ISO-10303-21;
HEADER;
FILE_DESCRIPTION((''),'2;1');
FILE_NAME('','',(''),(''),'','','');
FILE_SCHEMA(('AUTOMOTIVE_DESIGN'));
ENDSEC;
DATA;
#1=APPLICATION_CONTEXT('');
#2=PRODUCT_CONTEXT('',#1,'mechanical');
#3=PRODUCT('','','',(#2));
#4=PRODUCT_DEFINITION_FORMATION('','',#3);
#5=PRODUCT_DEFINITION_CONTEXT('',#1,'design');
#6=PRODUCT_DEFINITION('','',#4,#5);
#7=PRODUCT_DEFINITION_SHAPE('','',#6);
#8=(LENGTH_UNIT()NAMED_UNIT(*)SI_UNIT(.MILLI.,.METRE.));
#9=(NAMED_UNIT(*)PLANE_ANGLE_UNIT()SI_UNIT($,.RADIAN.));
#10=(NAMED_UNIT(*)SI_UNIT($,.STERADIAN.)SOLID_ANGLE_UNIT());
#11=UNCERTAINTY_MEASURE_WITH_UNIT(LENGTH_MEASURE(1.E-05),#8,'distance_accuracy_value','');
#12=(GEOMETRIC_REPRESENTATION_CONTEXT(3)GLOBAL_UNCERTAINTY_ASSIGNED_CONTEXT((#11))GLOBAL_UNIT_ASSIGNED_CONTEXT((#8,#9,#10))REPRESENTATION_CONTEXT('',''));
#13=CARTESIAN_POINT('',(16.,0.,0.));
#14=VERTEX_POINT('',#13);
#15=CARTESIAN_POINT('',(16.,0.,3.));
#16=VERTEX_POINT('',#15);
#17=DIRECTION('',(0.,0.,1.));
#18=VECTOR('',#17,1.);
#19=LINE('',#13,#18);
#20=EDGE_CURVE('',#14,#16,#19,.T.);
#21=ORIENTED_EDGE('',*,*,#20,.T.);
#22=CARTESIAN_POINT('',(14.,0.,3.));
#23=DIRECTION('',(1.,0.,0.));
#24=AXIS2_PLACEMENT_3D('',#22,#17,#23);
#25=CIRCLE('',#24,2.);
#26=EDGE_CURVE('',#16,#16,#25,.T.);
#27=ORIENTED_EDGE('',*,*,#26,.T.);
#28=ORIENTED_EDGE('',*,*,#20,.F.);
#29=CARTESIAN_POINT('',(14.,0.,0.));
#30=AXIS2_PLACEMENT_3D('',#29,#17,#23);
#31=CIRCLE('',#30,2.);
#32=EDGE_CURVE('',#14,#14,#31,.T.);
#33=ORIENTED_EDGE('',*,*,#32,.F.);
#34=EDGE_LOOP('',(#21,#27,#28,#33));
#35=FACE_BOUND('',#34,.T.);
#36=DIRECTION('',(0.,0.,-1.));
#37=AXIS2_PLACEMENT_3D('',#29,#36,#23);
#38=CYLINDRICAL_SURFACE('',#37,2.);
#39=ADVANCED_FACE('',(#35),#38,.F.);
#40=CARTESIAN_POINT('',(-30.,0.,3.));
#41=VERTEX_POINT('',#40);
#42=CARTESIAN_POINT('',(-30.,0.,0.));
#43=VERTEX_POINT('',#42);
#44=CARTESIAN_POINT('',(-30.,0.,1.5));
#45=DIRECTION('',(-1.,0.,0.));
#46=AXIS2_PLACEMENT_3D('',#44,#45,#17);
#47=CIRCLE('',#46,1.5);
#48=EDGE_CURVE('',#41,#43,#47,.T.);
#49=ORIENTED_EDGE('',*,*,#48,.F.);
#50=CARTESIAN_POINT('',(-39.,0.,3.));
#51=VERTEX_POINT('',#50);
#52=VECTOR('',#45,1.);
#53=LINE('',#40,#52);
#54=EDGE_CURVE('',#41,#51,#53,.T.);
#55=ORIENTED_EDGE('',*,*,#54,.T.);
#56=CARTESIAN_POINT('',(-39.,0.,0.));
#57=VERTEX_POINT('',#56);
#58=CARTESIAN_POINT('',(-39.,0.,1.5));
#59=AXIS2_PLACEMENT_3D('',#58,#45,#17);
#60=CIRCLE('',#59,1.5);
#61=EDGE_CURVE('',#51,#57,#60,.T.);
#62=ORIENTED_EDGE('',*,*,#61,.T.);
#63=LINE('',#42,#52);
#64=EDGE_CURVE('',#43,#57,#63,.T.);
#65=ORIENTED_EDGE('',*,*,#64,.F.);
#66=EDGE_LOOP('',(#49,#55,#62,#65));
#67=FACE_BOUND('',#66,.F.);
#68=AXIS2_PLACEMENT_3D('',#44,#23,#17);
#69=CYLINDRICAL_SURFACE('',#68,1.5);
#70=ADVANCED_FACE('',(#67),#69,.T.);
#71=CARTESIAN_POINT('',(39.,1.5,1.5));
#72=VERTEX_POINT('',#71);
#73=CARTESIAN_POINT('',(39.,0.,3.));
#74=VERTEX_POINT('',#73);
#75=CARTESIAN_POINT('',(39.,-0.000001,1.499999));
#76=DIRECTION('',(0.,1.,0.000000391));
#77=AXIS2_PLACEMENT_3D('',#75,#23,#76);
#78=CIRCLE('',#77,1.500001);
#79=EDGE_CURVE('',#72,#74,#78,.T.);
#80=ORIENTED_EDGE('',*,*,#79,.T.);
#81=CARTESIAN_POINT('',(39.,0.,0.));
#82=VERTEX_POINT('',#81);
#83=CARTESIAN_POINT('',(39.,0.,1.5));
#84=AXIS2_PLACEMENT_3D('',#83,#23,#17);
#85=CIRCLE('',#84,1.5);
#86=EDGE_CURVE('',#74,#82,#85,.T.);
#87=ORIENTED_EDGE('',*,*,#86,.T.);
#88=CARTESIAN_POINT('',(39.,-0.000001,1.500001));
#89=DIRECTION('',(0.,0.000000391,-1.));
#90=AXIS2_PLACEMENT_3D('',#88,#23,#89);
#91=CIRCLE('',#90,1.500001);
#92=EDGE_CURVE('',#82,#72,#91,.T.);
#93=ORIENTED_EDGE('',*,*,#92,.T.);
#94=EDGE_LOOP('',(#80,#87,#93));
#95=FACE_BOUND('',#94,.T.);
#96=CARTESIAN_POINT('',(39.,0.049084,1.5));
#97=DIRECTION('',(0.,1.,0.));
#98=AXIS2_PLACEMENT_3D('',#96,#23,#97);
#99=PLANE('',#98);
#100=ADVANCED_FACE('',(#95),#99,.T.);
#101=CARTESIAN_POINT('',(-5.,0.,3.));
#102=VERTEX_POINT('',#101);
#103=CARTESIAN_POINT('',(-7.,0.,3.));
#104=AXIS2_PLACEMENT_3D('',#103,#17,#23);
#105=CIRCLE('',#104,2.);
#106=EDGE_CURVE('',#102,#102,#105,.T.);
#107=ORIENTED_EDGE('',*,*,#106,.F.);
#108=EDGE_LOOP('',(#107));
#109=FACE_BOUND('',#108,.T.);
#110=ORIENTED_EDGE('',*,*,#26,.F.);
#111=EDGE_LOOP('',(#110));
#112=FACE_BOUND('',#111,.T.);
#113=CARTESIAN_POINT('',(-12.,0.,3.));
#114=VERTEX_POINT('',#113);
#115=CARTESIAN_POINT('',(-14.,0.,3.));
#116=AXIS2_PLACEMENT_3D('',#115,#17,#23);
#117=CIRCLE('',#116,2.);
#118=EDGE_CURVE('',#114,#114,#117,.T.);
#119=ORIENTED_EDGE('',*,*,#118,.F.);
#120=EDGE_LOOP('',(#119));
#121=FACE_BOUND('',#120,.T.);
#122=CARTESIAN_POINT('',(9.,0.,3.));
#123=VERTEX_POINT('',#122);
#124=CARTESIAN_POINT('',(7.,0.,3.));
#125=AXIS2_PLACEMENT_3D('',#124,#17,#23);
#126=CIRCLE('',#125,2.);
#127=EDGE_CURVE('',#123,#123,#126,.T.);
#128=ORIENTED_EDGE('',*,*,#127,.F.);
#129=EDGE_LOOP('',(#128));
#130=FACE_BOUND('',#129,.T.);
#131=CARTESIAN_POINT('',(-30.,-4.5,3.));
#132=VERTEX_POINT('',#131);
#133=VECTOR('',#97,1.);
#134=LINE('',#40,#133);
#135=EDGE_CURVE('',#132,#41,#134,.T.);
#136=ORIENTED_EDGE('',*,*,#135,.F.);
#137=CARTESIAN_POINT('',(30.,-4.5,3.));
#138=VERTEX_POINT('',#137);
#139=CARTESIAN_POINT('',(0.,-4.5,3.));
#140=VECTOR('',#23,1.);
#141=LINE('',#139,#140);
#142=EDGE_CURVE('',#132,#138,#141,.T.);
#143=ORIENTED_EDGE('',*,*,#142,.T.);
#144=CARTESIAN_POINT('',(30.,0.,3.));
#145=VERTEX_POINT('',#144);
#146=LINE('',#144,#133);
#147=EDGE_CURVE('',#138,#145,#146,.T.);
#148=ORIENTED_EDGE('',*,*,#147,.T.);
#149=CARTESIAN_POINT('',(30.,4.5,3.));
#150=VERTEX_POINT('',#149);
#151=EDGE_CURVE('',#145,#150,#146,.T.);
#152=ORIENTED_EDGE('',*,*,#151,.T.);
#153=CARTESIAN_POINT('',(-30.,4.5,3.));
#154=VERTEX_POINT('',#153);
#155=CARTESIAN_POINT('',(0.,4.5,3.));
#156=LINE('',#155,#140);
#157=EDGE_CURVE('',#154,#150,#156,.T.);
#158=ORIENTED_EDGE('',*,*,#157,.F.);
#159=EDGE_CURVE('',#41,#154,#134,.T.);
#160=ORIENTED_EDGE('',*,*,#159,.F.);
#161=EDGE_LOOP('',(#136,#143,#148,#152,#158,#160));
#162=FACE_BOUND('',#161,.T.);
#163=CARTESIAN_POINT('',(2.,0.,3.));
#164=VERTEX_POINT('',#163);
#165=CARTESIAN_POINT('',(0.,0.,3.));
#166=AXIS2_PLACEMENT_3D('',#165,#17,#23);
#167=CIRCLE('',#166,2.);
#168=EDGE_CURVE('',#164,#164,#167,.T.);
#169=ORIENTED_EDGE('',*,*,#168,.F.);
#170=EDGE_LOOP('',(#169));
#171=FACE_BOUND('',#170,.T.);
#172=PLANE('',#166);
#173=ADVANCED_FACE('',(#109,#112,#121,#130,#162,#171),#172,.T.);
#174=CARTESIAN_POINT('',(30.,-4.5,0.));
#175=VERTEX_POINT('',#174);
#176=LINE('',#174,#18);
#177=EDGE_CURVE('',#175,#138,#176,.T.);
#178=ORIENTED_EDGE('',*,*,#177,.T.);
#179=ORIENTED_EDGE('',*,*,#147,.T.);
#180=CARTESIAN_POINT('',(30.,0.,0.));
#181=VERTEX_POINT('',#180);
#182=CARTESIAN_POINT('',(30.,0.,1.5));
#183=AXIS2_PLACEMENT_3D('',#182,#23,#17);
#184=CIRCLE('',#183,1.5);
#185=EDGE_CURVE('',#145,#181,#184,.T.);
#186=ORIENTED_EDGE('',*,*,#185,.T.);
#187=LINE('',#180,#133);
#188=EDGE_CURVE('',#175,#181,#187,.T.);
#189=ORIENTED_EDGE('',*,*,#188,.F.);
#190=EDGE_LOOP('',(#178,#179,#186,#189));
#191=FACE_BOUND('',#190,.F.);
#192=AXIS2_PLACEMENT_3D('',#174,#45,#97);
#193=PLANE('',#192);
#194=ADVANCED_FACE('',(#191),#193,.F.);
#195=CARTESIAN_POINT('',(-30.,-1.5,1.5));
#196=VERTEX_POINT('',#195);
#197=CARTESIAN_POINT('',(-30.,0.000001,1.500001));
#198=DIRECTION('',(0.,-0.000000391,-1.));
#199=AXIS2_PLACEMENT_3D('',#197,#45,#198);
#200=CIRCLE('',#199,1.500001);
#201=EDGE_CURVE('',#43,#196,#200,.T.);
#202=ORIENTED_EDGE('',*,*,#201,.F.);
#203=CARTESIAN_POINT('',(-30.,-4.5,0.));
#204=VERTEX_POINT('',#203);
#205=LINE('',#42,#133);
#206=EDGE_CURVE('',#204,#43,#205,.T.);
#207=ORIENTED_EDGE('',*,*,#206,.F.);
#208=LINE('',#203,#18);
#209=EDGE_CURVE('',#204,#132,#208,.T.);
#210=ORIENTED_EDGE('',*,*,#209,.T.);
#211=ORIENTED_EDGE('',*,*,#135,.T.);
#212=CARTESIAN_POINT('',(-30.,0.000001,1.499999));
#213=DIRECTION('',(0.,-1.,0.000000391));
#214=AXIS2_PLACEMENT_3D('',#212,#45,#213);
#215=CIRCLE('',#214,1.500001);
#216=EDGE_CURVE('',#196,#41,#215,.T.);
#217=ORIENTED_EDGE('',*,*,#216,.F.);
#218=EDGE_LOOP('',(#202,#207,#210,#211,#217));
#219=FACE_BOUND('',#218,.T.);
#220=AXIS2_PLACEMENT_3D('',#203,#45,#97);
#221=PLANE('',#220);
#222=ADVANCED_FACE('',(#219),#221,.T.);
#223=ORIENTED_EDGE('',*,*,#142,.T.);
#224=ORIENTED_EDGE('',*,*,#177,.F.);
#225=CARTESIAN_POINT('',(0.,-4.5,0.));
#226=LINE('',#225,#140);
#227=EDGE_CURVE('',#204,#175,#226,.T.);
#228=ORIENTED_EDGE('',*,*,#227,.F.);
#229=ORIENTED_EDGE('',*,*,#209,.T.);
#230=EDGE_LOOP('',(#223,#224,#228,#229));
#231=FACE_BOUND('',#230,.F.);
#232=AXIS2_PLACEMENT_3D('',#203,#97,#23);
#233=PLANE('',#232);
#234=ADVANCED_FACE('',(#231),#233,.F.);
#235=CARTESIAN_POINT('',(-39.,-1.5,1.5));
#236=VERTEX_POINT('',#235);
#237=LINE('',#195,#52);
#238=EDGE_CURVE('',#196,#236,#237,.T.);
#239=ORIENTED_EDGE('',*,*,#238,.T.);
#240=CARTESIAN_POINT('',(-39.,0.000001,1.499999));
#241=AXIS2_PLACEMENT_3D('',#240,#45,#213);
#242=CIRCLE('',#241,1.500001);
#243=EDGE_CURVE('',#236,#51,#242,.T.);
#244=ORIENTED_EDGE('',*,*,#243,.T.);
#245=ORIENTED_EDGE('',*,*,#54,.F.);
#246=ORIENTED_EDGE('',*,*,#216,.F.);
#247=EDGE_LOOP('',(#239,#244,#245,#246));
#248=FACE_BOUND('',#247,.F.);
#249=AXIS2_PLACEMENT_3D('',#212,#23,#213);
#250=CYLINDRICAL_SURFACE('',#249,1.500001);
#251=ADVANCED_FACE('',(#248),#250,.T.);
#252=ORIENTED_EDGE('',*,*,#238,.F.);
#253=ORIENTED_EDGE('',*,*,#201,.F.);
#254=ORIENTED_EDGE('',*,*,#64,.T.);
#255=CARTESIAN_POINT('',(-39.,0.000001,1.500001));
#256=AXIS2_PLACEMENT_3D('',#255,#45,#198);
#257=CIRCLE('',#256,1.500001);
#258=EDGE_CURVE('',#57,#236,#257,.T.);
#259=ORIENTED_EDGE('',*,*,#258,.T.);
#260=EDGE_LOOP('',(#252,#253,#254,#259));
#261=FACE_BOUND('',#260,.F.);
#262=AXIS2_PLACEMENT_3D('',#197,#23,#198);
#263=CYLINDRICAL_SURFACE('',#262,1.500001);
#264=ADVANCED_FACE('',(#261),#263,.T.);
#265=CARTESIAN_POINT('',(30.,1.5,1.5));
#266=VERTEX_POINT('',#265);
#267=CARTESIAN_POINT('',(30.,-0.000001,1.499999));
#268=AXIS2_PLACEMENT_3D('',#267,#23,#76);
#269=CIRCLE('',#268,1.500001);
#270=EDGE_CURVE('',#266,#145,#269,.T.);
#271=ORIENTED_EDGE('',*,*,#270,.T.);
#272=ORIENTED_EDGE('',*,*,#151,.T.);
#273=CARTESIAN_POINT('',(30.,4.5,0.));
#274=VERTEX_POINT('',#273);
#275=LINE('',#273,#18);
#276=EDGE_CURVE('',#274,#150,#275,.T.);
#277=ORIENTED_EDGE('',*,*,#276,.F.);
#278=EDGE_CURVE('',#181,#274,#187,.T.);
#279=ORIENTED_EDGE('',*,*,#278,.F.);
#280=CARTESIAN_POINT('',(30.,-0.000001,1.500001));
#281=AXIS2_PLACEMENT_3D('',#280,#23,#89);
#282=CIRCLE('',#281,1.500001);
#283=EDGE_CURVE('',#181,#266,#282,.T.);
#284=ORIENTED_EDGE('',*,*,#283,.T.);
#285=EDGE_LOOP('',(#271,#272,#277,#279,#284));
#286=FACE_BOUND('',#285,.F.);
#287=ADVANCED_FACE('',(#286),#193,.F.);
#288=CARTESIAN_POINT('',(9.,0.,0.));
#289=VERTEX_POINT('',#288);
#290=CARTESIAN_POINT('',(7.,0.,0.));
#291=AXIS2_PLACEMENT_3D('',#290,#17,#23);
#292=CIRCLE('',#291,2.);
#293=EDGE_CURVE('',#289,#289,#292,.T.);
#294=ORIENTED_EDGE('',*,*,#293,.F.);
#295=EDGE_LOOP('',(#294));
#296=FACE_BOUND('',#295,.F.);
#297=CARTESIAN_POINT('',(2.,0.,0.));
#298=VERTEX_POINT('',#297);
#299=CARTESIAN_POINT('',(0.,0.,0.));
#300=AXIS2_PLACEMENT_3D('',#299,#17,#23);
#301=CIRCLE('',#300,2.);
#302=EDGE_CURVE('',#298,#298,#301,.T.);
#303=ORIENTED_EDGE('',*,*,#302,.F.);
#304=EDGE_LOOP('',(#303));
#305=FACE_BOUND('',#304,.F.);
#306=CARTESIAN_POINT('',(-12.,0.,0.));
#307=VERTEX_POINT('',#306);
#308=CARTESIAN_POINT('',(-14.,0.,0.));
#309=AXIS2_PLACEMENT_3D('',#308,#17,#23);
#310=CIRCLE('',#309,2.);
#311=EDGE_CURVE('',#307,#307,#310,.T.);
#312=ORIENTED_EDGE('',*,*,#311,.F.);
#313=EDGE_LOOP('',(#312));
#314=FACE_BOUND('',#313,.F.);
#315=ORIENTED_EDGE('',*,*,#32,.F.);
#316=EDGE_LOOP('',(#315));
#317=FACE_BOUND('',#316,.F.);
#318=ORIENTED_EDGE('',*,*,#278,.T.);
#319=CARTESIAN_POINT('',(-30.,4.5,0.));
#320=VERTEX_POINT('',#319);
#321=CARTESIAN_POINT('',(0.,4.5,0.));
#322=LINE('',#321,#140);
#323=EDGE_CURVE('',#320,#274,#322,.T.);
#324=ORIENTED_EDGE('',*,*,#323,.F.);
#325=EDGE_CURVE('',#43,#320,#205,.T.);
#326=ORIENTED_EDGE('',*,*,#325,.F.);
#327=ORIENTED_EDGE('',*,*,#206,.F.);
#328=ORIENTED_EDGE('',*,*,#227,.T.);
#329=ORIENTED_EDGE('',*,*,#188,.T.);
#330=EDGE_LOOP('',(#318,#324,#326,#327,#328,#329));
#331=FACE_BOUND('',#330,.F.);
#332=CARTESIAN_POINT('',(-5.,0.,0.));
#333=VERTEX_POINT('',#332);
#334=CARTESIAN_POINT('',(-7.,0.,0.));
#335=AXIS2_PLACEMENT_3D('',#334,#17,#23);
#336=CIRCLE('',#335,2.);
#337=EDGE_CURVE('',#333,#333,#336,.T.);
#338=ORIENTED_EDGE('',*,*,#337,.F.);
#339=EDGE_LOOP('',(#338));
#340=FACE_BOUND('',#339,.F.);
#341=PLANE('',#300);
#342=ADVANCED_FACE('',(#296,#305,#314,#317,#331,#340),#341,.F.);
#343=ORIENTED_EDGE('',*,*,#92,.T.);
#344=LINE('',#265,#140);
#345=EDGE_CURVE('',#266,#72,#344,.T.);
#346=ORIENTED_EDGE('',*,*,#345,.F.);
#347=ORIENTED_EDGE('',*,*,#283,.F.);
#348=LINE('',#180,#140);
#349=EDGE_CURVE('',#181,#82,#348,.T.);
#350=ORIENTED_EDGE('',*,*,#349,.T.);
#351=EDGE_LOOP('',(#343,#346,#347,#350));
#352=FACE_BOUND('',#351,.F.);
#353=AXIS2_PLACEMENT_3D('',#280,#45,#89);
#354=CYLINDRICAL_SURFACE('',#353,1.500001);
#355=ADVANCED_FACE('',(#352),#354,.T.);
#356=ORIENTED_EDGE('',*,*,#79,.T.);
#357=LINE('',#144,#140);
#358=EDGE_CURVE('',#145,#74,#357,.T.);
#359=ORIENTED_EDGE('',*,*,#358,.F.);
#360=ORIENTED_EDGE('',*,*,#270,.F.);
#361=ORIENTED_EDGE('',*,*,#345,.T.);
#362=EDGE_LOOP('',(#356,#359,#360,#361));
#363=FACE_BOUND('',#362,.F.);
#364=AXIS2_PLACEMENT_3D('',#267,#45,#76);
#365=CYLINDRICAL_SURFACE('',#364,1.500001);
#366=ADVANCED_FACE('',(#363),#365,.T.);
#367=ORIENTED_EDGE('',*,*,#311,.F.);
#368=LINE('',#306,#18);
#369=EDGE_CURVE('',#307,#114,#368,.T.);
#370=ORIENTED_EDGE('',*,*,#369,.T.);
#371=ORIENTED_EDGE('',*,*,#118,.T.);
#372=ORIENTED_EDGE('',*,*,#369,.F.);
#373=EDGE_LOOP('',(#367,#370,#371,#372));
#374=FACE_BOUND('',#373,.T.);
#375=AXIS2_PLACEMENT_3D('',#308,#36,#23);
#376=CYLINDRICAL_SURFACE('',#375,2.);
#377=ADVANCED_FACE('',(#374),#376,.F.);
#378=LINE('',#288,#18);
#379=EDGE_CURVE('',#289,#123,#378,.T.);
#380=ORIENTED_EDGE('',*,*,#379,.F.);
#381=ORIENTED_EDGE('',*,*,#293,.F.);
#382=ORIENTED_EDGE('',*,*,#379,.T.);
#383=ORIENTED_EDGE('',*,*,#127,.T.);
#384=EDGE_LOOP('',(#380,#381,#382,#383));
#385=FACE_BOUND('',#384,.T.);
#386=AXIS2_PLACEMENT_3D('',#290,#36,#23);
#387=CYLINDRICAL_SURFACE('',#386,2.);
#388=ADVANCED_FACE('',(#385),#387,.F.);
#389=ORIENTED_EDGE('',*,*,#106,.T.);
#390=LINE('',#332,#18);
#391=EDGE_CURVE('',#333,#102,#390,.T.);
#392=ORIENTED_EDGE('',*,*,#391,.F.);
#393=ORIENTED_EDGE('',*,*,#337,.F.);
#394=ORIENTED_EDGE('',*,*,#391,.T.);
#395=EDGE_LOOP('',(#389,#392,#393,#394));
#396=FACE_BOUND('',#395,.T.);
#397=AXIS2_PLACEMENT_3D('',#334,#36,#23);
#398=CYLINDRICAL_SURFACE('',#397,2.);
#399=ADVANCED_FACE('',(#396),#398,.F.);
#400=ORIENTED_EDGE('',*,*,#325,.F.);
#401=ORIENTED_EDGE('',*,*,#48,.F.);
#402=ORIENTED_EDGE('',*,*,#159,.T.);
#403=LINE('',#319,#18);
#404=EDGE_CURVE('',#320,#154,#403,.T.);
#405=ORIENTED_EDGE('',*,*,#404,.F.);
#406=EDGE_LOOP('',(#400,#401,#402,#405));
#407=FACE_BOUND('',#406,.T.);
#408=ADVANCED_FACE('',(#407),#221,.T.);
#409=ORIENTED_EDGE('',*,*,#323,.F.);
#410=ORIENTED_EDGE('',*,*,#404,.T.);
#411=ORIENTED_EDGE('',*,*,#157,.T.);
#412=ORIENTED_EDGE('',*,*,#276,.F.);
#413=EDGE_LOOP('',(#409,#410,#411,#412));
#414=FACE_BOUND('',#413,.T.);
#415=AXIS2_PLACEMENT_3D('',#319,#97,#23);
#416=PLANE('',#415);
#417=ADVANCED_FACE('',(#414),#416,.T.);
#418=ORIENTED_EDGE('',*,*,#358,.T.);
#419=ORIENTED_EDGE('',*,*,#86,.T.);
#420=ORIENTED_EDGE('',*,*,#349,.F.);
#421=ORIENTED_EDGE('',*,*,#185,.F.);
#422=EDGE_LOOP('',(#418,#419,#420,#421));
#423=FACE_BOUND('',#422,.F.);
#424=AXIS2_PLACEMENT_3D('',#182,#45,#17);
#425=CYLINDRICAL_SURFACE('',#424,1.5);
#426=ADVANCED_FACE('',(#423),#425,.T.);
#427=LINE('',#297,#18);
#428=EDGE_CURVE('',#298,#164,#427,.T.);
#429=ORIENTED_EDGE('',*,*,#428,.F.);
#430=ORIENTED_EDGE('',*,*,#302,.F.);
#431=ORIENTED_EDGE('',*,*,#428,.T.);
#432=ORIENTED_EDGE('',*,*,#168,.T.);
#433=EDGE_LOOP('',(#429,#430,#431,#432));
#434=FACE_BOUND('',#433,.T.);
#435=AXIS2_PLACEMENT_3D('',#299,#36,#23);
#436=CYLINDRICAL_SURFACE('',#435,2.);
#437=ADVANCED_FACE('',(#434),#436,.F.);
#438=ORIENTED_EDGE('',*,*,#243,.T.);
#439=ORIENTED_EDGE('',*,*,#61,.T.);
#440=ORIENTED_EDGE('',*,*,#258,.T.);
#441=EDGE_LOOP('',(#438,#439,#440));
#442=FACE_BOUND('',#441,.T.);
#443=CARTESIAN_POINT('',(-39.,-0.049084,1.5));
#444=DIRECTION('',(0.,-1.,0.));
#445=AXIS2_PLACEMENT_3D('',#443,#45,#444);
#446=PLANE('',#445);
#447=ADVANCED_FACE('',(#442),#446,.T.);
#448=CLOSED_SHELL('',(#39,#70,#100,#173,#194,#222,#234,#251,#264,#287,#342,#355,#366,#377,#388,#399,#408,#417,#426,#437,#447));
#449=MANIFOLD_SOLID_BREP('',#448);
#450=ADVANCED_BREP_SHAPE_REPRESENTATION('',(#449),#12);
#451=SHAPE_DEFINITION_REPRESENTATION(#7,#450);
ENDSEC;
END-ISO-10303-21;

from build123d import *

# Parameters (mm, degrees)
F0_W     = 60
F0_H     = 9
F0_R     = 2
F1_DEPTH = 3
F3_DEPTH = 9
F5_DEPTH = 9


with BuildPart() as f1:
    # F0 (on Top) → F1 (new body)
    with BuildSketch(Plane.XY):
        Rectangle(F0_W, F0_H)
        with Locations((-14, 0)):
            Circle(F0_R, mode=Mode.SUBTRACT)
        with Locations((-7, 0)):
            Circle(F0_R, mode=Mode.SUBTRACT)
        Circle(F0_R, mode=Mode.SUBTRACT)
        with Locations((7, 0)):
            Circle(F0_R, mode=Mode.SUBTRACT)
        with Locations((14, 0)):
            Circle(F0_R, mode=Mode.SUBTRACT)
    extrude(amount=F1_DEPTH)

    # F2 (on face) → F3 (join)
    with BuildSketch(Plane(origin=(-30, 0, 0), x_dir=(0, -1, 0), z_dir=(-1, 0, 0))):
        with BuildLine():
            ThreePointArc((0, 0), (1.06066, 0.43934), (1.5, 1.5))
            ThreePointArc((1.5, 1.5), (1.06066, 2.56066), (0, 3))
            ThreePointArc((0, 3), (-1.5, 1.5), (0, 0))
        make_face()
    extrude(amount=F3_DEPTH)

    # F4 (on face) → F5 (join)
    with BuildSketch(Plane.YZ.offset(30)):
        with BuildLine():
            ThreePointArc((0, 0), (1.06066, 0.43934), (1.5, 1.5))
            ThreePointArc((1.5, 1.5), (1.06066, 2.56066), (0, 3))
            ThreePointArc((0, 3), (-1.5, 1.5), (0, 0))
        make_face()
    extrude(amount=F5_DEPTH)


solid = f1.part
